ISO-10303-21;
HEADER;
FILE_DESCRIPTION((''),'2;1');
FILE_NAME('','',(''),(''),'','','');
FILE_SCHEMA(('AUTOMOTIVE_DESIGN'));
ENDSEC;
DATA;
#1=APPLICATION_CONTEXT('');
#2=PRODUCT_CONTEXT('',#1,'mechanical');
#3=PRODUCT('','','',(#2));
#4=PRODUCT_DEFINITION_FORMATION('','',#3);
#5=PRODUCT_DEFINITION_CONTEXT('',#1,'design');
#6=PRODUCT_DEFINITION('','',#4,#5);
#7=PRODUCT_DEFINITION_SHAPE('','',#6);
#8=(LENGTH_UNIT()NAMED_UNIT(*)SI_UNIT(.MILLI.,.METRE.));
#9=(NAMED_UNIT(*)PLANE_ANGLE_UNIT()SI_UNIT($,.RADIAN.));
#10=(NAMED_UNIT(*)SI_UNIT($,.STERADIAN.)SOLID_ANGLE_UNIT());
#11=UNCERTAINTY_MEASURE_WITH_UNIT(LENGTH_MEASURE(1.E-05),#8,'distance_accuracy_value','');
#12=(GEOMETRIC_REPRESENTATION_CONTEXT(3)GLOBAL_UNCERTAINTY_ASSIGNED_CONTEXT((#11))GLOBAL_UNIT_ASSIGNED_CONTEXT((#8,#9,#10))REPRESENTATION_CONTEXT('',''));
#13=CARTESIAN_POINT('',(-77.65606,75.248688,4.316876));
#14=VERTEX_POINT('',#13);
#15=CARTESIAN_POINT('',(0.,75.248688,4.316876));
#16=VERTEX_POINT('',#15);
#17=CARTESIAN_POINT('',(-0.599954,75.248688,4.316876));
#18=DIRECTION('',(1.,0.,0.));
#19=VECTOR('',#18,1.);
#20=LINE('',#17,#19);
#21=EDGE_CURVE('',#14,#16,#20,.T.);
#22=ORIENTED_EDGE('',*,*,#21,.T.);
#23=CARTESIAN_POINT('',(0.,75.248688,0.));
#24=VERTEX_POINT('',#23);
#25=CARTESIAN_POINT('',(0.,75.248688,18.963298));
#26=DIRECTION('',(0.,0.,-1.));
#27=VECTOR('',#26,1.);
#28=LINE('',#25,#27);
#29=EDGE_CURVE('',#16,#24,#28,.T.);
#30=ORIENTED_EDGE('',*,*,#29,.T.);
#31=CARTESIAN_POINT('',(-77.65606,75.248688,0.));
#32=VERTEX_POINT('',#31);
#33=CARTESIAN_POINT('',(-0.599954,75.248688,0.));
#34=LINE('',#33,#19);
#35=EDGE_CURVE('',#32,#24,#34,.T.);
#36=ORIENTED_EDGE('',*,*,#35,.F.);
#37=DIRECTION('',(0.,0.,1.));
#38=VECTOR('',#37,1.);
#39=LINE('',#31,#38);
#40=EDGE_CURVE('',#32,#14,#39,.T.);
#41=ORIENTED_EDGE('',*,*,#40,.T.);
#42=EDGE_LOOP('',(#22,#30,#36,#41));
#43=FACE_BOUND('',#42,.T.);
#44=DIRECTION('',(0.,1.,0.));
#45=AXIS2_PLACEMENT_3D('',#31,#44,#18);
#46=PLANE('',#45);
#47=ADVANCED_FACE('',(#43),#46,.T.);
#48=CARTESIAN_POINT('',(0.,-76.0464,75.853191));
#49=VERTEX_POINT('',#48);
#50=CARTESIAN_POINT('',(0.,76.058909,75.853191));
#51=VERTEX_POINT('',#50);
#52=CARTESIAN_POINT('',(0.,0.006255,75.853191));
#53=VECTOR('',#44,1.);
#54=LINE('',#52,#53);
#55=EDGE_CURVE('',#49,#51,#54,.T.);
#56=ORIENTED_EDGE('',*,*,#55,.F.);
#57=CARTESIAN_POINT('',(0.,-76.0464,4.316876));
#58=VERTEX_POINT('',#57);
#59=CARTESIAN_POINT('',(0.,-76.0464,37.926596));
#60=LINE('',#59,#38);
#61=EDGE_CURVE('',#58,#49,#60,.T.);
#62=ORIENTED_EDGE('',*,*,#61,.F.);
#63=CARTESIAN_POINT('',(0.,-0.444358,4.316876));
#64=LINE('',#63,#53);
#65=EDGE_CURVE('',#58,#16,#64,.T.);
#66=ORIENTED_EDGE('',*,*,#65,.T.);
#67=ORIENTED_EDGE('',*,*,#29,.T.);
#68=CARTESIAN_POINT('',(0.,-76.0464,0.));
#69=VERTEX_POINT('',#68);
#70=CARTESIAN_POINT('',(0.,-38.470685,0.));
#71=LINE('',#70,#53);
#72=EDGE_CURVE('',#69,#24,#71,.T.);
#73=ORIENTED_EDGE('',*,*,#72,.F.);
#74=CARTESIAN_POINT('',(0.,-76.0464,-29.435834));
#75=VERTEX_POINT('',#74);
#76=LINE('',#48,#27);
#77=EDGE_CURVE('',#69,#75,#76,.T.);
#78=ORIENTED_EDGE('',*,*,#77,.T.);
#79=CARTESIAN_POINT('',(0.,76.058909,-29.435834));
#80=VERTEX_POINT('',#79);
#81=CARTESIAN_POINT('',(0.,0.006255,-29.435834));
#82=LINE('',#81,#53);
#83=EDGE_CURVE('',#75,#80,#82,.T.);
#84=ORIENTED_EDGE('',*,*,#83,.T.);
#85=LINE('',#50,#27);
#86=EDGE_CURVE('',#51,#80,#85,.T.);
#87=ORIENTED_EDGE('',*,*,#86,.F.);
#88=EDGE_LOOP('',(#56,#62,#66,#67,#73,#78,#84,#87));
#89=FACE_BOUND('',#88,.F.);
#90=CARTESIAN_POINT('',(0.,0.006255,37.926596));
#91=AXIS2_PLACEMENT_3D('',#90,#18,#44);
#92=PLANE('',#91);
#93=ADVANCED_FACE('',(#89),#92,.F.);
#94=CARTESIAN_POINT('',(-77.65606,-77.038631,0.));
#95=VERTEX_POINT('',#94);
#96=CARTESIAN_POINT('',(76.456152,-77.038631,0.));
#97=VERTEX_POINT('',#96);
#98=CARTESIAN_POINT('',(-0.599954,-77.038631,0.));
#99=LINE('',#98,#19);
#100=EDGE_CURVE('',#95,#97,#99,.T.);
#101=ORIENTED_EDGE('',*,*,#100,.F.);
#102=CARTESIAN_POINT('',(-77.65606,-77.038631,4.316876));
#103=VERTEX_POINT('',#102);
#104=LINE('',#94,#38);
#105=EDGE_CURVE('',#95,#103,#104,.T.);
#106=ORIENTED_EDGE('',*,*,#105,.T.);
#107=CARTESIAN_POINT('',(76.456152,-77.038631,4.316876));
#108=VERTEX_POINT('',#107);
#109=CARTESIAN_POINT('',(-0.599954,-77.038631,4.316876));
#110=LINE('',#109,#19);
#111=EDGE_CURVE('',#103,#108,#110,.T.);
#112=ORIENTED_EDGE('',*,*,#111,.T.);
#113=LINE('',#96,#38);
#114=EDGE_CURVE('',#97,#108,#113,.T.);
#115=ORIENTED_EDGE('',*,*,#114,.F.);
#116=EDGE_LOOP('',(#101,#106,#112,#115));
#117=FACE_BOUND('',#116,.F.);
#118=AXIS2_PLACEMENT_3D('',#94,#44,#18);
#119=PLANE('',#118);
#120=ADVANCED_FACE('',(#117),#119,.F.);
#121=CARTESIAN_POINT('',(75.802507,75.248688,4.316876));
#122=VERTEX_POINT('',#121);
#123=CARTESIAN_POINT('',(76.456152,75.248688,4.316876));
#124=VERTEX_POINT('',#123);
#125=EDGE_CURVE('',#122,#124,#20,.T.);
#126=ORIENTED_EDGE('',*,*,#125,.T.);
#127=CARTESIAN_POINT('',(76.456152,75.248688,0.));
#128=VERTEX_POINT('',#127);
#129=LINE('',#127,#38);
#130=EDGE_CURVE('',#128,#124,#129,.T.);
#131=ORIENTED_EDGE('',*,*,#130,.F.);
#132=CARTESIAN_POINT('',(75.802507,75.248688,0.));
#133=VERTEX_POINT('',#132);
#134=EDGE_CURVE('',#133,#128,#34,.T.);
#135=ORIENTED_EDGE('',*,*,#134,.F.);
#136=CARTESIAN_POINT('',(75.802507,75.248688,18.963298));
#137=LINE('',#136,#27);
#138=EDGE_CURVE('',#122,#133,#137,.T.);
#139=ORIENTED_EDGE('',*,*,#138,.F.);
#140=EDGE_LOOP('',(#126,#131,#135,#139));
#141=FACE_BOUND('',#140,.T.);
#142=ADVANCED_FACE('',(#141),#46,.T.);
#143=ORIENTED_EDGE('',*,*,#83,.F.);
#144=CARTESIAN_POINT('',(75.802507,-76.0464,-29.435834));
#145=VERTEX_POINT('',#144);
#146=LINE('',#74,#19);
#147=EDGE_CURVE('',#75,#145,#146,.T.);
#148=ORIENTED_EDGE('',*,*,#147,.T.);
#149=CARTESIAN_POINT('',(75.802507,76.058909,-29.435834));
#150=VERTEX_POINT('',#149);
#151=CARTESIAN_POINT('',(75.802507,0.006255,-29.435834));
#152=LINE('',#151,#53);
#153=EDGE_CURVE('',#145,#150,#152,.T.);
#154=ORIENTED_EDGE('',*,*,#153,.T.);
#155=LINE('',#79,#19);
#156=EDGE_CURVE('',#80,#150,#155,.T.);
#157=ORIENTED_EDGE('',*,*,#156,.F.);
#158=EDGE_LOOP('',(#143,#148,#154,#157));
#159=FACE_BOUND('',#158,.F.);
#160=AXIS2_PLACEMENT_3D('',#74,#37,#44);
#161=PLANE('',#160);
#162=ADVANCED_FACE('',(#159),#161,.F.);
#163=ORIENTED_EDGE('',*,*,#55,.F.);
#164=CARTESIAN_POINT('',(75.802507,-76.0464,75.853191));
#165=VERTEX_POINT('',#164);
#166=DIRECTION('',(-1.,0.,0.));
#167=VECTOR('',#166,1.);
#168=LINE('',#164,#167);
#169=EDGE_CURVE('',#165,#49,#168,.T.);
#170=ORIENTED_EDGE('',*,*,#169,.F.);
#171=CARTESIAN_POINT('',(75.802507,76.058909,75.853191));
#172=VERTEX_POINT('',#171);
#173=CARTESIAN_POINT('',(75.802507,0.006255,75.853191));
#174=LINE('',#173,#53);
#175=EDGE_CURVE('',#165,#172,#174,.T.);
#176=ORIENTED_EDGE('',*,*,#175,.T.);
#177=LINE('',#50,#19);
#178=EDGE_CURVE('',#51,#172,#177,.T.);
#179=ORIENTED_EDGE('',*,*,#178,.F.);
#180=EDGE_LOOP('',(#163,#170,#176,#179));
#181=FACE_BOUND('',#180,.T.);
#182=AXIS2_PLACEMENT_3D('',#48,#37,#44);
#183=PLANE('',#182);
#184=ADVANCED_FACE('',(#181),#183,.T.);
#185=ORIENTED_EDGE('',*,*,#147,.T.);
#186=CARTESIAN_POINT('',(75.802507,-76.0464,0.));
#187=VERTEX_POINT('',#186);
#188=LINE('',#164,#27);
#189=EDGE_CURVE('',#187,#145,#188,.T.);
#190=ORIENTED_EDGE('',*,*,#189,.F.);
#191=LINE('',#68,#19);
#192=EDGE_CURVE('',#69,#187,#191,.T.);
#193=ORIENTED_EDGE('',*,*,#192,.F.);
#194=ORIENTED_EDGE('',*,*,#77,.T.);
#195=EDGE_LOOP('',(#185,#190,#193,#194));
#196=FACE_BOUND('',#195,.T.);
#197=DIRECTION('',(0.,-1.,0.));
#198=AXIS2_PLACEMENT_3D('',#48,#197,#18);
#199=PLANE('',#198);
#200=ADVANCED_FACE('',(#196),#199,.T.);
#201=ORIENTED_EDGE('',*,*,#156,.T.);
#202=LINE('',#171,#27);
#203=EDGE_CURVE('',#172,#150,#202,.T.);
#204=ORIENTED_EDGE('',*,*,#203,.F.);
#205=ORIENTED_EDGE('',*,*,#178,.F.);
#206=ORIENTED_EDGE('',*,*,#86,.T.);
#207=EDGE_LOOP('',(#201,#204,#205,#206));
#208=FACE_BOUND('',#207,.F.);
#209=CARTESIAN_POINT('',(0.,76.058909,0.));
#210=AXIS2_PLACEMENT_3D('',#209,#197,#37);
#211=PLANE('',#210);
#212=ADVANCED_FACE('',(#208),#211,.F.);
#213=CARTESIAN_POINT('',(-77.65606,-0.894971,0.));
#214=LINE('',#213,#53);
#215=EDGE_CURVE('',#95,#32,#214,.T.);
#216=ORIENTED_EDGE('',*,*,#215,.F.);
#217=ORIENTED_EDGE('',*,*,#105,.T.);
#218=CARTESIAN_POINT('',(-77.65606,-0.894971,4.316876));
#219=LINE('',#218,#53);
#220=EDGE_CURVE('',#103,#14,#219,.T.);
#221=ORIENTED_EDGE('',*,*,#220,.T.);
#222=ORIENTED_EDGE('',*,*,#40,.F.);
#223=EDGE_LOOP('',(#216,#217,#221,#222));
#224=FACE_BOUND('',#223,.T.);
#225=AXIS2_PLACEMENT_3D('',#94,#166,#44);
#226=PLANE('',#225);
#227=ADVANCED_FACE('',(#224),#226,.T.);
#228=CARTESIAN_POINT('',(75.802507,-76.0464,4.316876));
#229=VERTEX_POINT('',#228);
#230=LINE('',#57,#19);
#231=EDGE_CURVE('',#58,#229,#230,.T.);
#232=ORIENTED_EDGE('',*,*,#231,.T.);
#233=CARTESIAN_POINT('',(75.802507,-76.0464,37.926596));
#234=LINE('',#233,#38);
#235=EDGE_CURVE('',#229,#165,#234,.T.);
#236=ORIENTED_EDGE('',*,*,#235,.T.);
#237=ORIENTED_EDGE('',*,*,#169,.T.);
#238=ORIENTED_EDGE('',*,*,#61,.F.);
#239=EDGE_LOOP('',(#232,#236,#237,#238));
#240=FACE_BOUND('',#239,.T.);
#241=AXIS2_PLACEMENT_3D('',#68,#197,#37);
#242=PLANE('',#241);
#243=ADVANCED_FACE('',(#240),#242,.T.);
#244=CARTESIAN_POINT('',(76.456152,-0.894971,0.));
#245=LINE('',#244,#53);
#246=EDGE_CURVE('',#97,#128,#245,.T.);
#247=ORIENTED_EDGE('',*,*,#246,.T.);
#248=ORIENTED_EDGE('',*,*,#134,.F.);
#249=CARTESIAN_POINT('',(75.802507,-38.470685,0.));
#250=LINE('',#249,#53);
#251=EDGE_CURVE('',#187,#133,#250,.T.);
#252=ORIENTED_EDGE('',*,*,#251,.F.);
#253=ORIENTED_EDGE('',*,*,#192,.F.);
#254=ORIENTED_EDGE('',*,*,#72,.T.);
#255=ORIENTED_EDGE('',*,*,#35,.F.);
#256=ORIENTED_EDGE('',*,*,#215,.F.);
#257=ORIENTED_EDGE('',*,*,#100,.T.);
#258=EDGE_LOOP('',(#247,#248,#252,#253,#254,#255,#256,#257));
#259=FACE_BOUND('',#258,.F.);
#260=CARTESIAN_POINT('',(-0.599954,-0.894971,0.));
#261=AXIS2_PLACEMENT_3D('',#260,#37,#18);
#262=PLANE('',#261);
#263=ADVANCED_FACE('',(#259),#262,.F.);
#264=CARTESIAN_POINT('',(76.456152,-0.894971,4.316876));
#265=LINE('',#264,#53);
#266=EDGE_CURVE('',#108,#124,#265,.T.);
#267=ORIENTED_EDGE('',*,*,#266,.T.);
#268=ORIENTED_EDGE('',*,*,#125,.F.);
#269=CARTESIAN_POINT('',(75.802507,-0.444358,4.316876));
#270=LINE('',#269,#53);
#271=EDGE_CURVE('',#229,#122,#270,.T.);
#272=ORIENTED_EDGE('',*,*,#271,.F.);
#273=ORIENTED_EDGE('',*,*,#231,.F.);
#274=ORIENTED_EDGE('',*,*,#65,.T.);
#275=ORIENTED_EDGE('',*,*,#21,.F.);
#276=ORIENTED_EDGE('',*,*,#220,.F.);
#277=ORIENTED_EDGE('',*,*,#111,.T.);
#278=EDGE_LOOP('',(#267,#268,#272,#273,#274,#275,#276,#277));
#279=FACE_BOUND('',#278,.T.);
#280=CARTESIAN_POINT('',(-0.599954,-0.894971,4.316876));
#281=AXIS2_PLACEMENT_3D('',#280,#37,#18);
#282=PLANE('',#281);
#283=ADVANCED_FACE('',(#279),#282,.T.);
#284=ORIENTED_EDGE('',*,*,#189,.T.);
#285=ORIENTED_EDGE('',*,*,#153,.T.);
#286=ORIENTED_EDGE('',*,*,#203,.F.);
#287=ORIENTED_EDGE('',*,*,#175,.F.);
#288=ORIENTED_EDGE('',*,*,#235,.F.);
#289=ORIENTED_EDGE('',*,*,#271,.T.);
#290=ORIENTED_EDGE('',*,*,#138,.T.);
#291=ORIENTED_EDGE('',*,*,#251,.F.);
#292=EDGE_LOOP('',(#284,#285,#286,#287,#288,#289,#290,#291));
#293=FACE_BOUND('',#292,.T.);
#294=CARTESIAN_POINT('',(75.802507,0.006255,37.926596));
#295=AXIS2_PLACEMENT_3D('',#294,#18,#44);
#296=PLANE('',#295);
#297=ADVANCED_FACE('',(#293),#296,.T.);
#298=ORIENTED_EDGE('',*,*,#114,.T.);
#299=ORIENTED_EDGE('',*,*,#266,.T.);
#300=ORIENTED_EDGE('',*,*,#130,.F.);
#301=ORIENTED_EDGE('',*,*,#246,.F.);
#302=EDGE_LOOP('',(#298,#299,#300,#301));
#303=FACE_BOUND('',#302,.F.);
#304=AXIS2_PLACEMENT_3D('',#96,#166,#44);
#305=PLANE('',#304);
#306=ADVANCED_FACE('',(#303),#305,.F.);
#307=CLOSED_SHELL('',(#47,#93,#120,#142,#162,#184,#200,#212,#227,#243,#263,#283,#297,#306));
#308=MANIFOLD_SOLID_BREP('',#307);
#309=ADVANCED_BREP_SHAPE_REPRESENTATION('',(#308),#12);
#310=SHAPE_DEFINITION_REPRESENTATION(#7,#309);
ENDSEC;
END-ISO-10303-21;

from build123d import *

# Parameters (mm, degrees)
F0_W     = 154.1122123599
F0_H     = 152.2873193026
F1_DEPTH = 4.3168757111
F2_W     = 152.1053090692
F2_H     = 75.8531913161
F3_DEPTH = 25.4
F4_DEPTH = 105.2890252322
F5_DEPTH = 75.802506879


with BuildPart() as f1:
    # F0 (on Top) → F1 (new body)
    with BuildSketch(Plane.XY):
        with Locations((-0.5999542773, -0.8949711919)):
            Rectangle(F0_W, F0_H)
    extrude(amount=F1_DEPTH)

    # F2 (on Right) → F3 (join)
    with BuildSketch(Plane.YZ):
        with Locations((0.0062547624, 37.9265956581)):
            Rectangle(F2_W, F2_H)
    extrude(amount=F3_DEPTH)

    # F4 (add): a face of the model
    f4_faces = [f1.faces().sort_by_distance(p)[0] for p in [
        (12.7, 0.0062547624, 75.8531913161),
    ]]
    extrude(f4_faces, amount=-F4_DEPTH)

    # F5 (add): a face of the model
    f5_faces = [f1.faces().sort_by_distance(p)[0] for p in [
        (0, 0.0234783223, 24.1036447815),
    ]]
    extrude(f5_faces, amount=-F5_DEPTH)


solid = f1.part
